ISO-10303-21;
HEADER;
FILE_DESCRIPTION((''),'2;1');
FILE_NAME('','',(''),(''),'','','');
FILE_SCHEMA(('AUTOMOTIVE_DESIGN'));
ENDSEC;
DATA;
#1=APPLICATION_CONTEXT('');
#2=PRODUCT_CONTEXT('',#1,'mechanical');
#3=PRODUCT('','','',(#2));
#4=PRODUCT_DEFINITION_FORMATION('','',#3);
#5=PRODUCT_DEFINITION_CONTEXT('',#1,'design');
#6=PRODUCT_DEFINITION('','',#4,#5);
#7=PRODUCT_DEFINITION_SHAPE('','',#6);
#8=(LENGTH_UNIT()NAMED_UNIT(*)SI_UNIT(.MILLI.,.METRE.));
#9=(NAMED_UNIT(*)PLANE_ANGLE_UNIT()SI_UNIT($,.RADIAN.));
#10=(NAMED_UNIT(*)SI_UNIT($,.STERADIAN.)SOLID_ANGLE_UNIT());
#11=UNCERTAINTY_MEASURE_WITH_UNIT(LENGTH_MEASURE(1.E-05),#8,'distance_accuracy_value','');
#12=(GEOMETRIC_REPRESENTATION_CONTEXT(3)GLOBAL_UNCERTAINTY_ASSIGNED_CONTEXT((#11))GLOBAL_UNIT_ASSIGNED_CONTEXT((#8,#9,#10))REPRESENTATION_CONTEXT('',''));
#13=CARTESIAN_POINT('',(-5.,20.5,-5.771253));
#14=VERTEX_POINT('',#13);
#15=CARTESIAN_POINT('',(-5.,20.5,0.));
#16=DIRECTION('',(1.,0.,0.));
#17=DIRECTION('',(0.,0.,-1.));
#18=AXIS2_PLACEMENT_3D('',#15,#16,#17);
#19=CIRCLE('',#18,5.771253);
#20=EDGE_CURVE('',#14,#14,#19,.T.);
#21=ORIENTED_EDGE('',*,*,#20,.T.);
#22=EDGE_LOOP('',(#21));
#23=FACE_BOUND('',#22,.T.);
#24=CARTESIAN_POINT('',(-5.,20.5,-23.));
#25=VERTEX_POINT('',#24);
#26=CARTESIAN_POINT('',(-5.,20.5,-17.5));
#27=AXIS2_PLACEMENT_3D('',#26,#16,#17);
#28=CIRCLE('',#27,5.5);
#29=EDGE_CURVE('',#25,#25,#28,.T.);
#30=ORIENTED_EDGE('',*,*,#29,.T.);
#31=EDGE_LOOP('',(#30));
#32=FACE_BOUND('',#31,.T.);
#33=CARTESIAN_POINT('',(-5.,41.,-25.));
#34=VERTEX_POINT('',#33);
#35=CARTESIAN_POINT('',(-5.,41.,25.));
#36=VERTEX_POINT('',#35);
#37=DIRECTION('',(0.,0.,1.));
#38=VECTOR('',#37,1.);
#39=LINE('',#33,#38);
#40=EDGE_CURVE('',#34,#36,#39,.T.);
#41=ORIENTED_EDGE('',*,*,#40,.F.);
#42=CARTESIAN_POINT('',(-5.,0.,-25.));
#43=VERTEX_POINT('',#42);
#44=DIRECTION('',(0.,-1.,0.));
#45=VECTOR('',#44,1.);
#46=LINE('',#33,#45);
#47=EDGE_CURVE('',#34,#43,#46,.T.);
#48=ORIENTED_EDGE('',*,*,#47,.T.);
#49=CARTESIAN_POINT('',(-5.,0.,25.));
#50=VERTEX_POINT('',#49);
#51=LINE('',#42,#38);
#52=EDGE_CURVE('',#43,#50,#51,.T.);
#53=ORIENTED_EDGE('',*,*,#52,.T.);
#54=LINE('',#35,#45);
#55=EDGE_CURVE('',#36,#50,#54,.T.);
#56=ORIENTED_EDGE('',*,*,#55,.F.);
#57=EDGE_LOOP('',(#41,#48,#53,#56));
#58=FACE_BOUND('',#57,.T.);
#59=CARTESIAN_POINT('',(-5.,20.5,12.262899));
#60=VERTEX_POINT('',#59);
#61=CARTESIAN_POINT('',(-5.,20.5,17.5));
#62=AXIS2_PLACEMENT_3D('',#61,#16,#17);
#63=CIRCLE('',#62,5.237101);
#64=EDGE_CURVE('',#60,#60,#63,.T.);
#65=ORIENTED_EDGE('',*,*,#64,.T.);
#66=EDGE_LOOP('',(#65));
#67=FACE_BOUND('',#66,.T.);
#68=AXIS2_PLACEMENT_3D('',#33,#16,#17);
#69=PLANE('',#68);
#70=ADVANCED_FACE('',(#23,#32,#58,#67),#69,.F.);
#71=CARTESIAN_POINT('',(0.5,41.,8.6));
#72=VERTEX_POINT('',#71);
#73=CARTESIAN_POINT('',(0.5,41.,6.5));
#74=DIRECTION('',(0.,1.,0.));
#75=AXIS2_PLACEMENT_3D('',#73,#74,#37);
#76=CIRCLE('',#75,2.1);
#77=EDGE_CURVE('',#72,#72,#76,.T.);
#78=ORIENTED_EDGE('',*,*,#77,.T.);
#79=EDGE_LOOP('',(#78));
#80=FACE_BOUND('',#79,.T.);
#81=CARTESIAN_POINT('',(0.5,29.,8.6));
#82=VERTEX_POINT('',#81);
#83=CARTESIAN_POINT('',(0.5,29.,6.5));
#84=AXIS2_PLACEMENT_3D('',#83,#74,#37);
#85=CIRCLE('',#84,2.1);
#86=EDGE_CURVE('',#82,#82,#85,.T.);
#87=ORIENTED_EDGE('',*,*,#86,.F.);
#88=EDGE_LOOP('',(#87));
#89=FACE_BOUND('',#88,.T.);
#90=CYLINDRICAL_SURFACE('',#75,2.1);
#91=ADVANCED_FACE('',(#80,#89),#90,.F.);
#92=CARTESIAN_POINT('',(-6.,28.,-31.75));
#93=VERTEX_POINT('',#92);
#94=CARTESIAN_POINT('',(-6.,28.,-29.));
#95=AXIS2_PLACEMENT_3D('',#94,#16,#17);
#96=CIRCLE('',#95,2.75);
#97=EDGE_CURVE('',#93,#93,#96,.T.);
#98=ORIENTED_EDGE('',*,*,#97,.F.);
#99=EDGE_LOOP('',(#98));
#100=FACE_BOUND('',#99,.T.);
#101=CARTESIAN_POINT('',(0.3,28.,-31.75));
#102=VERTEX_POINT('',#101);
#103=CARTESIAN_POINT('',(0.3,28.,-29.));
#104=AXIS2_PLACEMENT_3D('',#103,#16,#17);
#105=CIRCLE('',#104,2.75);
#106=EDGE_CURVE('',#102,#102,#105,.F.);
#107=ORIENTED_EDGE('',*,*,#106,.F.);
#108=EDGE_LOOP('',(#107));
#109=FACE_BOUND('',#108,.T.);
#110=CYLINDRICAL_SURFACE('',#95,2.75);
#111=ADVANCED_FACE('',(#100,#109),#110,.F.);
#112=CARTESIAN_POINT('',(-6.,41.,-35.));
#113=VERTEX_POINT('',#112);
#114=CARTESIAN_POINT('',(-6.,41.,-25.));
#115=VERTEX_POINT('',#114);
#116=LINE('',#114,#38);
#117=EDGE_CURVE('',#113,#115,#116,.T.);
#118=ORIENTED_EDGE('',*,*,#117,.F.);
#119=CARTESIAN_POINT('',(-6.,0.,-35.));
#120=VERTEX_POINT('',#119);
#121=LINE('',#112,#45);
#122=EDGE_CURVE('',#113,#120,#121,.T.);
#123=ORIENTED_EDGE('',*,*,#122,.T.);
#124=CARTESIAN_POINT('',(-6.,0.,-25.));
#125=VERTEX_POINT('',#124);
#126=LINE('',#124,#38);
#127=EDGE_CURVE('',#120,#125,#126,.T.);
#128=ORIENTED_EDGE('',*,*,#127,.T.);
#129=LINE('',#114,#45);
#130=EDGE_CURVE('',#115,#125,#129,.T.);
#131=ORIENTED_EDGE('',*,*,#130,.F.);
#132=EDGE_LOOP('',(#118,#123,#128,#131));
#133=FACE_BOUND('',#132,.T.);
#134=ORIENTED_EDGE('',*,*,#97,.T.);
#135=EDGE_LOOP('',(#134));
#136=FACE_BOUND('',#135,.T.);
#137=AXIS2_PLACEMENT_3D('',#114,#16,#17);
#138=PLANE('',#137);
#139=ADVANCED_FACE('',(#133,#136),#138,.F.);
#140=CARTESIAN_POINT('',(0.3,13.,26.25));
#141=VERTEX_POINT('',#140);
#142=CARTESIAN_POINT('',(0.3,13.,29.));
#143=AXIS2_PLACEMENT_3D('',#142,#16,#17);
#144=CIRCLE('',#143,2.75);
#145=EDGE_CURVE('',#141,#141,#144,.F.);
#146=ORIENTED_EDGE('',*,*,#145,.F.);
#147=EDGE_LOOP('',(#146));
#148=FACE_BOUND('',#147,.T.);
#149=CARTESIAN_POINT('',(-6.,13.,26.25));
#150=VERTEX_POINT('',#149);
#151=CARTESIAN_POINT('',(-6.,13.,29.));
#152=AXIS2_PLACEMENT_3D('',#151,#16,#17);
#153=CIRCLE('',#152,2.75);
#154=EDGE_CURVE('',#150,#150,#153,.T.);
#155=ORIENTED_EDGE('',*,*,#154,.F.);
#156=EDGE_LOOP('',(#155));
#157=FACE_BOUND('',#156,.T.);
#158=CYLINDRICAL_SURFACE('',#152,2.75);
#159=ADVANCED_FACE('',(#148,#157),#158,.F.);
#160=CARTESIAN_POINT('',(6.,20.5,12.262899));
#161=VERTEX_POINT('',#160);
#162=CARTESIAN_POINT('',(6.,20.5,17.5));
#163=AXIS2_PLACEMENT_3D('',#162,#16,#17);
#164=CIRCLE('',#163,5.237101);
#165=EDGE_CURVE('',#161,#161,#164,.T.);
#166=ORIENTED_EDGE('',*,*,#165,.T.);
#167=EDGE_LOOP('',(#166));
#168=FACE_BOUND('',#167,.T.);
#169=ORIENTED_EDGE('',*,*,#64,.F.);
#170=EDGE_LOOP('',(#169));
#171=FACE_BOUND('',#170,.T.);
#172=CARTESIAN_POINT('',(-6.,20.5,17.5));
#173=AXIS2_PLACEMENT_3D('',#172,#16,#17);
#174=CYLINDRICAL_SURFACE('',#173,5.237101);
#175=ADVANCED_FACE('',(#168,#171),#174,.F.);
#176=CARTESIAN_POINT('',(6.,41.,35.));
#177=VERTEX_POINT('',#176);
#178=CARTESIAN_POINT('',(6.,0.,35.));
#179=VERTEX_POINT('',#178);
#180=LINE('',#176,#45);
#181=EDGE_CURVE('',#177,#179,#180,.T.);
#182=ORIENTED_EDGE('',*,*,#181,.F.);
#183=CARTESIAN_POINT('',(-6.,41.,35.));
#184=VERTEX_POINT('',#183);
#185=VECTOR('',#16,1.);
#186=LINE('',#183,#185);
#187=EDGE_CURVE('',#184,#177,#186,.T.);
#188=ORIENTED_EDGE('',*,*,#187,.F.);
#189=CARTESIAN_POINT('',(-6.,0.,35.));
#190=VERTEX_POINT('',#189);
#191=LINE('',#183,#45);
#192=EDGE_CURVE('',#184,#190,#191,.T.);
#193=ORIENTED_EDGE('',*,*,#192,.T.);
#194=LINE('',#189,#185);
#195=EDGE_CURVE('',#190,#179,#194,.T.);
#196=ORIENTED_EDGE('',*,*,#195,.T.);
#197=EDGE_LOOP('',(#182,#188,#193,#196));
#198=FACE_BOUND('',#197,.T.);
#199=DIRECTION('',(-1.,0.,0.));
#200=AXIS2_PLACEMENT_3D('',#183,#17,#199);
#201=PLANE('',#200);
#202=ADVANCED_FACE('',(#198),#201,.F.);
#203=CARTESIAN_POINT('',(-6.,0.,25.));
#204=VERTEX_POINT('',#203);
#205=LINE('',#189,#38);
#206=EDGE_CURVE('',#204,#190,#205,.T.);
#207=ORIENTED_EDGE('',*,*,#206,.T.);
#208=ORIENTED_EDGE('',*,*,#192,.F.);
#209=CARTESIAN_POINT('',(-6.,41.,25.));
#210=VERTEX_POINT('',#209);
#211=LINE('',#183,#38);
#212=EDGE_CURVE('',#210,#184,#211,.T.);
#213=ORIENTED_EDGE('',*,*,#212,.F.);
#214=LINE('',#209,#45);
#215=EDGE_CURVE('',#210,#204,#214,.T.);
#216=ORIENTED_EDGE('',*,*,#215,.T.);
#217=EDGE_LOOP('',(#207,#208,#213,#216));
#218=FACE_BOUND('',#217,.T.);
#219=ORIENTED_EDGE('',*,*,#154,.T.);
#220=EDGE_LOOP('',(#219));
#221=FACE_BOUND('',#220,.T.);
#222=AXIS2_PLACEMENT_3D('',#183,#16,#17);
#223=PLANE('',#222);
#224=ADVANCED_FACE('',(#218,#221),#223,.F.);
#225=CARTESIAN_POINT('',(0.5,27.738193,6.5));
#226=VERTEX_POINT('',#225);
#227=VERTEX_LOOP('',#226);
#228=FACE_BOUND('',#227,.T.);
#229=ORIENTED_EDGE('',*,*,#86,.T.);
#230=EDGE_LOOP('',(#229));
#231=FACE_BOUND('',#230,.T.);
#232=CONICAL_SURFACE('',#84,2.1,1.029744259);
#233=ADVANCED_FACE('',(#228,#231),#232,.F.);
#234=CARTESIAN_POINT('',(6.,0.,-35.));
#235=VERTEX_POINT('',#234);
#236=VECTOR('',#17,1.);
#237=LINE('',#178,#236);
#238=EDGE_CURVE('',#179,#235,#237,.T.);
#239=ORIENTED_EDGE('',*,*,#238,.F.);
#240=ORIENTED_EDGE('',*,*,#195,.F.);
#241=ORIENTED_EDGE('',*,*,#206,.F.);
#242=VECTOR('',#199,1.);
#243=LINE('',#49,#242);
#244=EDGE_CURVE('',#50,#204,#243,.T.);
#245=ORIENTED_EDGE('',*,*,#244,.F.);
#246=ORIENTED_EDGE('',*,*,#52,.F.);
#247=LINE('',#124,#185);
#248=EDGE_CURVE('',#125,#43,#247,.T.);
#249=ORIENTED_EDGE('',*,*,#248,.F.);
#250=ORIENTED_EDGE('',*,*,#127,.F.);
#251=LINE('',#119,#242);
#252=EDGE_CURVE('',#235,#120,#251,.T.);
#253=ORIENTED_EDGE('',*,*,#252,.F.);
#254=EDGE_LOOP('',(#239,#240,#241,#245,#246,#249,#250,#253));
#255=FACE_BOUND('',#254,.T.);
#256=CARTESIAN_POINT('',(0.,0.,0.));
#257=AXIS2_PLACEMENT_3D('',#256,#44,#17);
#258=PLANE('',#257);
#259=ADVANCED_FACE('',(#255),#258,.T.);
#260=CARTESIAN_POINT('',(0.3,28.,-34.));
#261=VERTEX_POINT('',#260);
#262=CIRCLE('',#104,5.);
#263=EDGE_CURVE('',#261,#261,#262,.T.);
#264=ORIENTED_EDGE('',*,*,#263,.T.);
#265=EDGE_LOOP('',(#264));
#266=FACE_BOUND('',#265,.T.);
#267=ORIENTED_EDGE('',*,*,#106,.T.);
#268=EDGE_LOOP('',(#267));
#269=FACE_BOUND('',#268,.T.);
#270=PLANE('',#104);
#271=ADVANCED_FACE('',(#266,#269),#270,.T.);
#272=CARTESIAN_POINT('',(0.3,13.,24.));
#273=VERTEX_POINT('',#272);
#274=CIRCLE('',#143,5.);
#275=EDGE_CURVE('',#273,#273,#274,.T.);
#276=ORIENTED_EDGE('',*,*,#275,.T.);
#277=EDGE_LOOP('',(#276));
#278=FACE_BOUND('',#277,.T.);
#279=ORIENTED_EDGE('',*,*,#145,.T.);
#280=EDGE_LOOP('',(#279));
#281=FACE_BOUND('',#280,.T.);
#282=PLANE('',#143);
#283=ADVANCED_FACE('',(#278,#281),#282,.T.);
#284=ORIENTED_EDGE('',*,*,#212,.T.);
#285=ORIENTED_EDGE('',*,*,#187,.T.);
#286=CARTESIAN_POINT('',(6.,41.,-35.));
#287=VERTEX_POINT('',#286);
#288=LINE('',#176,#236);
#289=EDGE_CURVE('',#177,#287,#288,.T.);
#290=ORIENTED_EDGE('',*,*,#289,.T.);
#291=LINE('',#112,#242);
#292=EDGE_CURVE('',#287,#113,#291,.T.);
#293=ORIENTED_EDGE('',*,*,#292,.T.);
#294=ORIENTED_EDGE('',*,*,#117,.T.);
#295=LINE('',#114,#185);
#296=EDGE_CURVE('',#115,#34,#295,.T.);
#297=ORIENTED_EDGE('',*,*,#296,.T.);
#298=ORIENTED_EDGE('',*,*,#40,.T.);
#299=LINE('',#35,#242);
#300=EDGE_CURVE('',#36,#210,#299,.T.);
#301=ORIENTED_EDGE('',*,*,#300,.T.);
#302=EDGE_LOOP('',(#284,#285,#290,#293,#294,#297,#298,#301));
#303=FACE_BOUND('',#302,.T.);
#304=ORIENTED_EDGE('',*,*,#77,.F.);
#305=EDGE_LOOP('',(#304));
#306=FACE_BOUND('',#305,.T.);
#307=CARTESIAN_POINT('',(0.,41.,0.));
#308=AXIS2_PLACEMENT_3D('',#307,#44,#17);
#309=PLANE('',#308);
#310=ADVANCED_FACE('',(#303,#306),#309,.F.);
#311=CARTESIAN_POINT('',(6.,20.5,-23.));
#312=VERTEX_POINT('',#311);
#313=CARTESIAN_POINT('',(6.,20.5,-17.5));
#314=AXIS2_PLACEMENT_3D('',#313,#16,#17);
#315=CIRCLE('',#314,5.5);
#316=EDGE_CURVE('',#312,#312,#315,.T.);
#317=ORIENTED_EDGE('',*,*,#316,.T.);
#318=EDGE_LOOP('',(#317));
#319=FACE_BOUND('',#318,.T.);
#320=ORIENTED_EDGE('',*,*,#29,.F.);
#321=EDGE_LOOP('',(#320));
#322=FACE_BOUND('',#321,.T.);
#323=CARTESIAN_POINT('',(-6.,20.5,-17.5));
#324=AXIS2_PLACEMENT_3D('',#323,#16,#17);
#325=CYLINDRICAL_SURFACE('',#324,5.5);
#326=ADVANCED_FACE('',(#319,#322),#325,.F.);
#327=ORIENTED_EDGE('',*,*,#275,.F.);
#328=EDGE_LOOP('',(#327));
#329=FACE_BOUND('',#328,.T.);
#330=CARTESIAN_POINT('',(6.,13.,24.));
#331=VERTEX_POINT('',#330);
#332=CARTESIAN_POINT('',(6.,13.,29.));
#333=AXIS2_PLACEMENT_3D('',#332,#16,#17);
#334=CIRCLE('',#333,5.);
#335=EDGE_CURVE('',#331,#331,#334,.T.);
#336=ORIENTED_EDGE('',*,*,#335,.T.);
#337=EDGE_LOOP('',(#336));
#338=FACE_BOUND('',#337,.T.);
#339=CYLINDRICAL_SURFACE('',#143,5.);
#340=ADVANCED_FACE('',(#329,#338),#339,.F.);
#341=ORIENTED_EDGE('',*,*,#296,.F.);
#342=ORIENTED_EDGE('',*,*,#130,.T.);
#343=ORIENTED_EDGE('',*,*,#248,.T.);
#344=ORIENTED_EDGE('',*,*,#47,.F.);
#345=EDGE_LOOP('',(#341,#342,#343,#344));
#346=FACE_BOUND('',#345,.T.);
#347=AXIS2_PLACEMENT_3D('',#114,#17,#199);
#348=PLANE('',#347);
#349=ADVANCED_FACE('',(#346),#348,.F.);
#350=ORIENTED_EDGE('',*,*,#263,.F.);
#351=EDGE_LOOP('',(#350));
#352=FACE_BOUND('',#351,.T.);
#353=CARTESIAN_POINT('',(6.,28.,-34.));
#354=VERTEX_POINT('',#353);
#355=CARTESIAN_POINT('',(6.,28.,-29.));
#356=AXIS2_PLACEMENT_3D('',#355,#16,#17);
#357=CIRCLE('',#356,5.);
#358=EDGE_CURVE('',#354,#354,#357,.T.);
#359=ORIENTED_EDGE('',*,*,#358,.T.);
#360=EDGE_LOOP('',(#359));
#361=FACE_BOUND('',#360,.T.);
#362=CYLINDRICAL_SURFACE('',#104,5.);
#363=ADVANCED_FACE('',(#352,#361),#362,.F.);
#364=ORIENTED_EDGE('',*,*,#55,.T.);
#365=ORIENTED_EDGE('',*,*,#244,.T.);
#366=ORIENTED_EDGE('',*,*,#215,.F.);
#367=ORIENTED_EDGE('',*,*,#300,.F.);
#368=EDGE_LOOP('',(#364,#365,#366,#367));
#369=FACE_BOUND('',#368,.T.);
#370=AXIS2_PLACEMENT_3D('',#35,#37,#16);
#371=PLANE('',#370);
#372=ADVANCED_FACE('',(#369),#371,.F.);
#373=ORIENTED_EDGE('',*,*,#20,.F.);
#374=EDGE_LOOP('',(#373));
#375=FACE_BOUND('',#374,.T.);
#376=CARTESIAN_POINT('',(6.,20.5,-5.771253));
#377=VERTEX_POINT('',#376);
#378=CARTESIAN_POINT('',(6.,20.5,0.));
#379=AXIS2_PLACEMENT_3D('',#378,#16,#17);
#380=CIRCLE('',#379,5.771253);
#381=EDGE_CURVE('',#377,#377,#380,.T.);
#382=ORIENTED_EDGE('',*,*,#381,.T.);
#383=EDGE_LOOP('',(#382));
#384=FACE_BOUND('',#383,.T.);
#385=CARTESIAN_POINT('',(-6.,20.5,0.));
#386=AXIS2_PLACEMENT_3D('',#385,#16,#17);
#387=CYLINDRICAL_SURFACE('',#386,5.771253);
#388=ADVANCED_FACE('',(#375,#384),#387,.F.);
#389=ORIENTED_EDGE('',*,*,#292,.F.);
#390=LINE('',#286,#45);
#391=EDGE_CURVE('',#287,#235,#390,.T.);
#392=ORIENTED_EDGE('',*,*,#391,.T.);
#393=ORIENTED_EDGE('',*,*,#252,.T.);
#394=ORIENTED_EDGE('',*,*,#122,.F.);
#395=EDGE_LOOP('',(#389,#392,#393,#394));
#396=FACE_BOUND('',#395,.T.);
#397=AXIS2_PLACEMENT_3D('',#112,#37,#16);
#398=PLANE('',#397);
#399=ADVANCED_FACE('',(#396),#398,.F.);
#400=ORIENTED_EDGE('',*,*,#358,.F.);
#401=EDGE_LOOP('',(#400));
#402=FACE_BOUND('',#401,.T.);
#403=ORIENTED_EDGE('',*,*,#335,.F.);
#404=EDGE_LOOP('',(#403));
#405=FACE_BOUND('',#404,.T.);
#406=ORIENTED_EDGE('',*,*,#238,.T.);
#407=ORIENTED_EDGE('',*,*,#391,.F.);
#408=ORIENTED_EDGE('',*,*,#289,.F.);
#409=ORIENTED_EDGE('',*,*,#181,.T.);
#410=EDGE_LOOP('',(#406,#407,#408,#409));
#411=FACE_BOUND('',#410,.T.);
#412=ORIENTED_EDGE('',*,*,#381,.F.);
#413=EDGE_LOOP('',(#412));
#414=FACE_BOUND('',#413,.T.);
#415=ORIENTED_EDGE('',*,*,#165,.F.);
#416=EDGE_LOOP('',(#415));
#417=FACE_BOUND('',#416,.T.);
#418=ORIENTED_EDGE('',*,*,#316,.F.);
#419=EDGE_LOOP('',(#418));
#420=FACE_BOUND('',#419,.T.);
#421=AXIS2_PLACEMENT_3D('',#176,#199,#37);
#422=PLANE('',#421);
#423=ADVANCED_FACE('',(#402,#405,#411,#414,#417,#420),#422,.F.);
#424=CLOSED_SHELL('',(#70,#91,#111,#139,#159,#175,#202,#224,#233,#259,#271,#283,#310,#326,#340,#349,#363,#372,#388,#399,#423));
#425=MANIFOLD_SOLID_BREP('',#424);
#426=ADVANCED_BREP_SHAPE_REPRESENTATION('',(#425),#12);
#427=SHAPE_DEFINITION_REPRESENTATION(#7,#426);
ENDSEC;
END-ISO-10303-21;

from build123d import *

# Parameters (mm, degrees)
BOSS_EXTRUDE1_DEPTH   = 41
SKETCH2_R             = 2.75
SKETCH2_R_2           = 5.237100589
SKETCH2_R_3           = 5.771252778
SKETCH2_R_4           = 5.5
CUT_EXTRUDE10_DEPTH   = 13
SKETCH11_R            = 5
CUT_EXTRUDE11_DEPTH   = 5.7
M5_TAPPED_HOLE1_D     = 4.2
M5_TAPPED_HOLE1_DEPTH = 12
M5_TAPPED_HOLE1_TIP   = 1.2618073


with BuildPart() as part:
    # Sketch1 → Boss-Extrude1 (new body)
    with BuildSketch(Plane(origin=(0, 0, 0), x_dir=(1, 0, 0), z_dir=(0, 1, 0))):
        Polygon((-6, 25), (-5, 25), (-5, -25), (-6, -25), (-6, -35), (6, -35), (6, 35), (-6, 35), align=None)
    extrude(amount=BOSS_EXTRUDE1_DEPTH)

    # Sketch2 → Cut-Extrude10 (cut, through all)
    with BuildSketch(Plane(origin=(6, 0, 0), x_dir=(0, 0, -1), z_dir=(1, 0, 0))):
        with Locations((29, 28)):
            Circle(SKETCH2_R)
        with Locations((-17.5, 20.5)):
            Circle(SKETCH2_R_2)
        with Locations((0, 20.5)):
            Circle(SKETCH2_R_3)
        with Locations((17.5, 20.5)):
            Circle(SKETCH2_R_4)
        with Locations((-29, 13)):
            Circle(SKETCH2_R)
    extrude(amount=-CUT_EXTRUDE10_DEPTH, mode=Mode.SUBTRACT)

    # Sketch11 → Cut-Extrude11 (cut)
    with BuildSketch(Plane(origin=(6, 0, 0), x_dir=(0, 0, -1), z_dir=(1, 0, 0))):
        with Locations((29, 28)):
            Circle(SKETCH11_R)
        with Locations((-29, 13)):
            Circle(SKETCH11_R)
    extrude(amount=-CUT_EXTRUDE11_DEPTH, mode=Mode.SUBTRACT)

    # M5 Tapped Hole1
    with Locations(Plane(origin=(0, 41, 0), x_dir=(1, 0, 0), z_dir=(0, 1, 0))):
        with Locations((0.5, -6.5)):
            Hole(M5_TAPPED_HOLE1_D / 2, depth=M5_TAPPED_HOLE1_DEPTH)
            with Locations((0, 0, -(M5_TAPPED_HOLE1_DEPTH + M5_TAPPED_HOLE1_TIP / 2))):  # 118° drill point
                Cone(0, M5_TAPPED_HOLE1_D / 2, M5_TAPPED_HOLE1_TIP, mode=Mode.SUBTRACT)


solid = part.part
